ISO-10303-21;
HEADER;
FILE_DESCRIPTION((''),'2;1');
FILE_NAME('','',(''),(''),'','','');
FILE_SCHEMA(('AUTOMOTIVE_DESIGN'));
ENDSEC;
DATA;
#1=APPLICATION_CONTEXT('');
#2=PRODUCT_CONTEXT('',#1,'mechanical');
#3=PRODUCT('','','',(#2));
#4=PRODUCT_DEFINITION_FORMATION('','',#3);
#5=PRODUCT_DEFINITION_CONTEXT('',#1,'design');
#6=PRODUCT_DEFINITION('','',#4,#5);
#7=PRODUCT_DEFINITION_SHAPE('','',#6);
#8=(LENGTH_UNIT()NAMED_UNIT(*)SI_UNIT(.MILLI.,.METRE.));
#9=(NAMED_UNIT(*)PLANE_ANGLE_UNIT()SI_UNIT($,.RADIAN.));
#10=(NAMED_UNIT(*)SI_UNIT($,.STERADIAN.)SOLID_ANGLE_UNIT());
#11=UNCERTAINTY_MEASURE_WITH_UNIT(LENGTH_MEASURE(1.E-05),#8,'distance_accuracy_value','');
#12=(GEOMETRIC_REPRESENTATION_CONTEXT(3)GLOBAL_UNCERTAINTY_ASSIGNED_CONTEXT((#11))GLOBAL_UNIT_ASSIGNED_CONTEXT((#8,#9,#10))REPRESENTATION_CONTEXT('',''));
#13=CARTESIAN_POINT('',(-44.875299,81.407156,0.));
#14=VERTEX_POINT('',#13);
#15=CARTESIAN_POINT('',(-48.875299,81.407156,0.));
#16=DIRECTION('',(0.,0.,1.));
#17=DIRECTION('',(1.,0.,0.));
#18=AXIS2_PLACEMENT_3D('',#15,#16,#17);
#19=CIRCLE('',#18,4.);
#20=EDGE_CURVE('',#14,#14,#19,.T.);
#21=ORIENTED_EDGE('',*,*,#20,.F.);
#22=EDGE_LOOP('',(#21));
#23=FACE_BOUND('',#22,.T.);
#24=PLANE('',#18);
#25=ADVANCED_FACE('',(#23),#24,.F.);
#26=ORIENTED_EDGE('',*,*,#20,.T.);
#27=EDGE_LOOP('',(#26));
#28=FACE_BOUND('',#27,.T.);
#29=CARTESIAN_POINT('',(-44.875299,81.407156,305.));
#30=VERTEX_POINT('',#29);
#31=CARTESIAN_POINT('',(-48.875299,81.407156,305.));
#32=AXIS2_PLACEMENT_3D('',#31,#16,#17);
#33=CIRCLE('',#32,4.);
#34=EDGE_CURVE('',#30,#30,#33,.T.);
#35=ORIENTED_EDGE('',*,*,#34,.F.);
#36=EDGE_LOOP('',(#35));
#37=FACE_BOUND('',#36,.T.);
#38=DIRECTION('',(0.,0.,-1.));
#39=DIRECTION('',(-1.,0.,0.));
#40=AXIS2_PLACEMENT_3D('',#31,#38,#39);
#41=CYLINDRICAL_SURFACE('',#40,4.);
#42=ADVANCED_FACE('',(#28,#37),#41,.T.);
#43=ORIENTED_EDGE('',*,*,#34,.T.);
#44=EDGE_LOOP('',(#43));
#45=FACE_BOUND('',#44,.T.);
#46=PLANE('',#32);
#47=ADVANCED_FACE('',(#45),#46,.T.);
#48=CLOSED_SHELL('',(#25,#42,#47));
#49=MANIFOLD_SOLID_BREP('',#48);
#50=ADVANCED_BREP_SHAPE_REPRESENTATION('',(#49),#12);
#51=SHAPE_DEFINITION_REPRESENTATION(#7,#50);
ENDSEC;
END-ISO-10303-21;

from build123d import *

# Parameters (mm, degrees)
ESBO_O1_R                = 4
RESSALTO_EXTRUS_O1_DEPTH = 305


with BuildPart() as part:
    # Esboço1 → Ressalto-extrusão1 (new body)
    with BuildSketch(Plane.XY):
        with Locations((-48.875298619, 81.407156415)):
            Circle(ESBO_O1_R)
    extrude(amount=RESSALTO_EXTRUS_O1_DEPTH)


solid = part.part
